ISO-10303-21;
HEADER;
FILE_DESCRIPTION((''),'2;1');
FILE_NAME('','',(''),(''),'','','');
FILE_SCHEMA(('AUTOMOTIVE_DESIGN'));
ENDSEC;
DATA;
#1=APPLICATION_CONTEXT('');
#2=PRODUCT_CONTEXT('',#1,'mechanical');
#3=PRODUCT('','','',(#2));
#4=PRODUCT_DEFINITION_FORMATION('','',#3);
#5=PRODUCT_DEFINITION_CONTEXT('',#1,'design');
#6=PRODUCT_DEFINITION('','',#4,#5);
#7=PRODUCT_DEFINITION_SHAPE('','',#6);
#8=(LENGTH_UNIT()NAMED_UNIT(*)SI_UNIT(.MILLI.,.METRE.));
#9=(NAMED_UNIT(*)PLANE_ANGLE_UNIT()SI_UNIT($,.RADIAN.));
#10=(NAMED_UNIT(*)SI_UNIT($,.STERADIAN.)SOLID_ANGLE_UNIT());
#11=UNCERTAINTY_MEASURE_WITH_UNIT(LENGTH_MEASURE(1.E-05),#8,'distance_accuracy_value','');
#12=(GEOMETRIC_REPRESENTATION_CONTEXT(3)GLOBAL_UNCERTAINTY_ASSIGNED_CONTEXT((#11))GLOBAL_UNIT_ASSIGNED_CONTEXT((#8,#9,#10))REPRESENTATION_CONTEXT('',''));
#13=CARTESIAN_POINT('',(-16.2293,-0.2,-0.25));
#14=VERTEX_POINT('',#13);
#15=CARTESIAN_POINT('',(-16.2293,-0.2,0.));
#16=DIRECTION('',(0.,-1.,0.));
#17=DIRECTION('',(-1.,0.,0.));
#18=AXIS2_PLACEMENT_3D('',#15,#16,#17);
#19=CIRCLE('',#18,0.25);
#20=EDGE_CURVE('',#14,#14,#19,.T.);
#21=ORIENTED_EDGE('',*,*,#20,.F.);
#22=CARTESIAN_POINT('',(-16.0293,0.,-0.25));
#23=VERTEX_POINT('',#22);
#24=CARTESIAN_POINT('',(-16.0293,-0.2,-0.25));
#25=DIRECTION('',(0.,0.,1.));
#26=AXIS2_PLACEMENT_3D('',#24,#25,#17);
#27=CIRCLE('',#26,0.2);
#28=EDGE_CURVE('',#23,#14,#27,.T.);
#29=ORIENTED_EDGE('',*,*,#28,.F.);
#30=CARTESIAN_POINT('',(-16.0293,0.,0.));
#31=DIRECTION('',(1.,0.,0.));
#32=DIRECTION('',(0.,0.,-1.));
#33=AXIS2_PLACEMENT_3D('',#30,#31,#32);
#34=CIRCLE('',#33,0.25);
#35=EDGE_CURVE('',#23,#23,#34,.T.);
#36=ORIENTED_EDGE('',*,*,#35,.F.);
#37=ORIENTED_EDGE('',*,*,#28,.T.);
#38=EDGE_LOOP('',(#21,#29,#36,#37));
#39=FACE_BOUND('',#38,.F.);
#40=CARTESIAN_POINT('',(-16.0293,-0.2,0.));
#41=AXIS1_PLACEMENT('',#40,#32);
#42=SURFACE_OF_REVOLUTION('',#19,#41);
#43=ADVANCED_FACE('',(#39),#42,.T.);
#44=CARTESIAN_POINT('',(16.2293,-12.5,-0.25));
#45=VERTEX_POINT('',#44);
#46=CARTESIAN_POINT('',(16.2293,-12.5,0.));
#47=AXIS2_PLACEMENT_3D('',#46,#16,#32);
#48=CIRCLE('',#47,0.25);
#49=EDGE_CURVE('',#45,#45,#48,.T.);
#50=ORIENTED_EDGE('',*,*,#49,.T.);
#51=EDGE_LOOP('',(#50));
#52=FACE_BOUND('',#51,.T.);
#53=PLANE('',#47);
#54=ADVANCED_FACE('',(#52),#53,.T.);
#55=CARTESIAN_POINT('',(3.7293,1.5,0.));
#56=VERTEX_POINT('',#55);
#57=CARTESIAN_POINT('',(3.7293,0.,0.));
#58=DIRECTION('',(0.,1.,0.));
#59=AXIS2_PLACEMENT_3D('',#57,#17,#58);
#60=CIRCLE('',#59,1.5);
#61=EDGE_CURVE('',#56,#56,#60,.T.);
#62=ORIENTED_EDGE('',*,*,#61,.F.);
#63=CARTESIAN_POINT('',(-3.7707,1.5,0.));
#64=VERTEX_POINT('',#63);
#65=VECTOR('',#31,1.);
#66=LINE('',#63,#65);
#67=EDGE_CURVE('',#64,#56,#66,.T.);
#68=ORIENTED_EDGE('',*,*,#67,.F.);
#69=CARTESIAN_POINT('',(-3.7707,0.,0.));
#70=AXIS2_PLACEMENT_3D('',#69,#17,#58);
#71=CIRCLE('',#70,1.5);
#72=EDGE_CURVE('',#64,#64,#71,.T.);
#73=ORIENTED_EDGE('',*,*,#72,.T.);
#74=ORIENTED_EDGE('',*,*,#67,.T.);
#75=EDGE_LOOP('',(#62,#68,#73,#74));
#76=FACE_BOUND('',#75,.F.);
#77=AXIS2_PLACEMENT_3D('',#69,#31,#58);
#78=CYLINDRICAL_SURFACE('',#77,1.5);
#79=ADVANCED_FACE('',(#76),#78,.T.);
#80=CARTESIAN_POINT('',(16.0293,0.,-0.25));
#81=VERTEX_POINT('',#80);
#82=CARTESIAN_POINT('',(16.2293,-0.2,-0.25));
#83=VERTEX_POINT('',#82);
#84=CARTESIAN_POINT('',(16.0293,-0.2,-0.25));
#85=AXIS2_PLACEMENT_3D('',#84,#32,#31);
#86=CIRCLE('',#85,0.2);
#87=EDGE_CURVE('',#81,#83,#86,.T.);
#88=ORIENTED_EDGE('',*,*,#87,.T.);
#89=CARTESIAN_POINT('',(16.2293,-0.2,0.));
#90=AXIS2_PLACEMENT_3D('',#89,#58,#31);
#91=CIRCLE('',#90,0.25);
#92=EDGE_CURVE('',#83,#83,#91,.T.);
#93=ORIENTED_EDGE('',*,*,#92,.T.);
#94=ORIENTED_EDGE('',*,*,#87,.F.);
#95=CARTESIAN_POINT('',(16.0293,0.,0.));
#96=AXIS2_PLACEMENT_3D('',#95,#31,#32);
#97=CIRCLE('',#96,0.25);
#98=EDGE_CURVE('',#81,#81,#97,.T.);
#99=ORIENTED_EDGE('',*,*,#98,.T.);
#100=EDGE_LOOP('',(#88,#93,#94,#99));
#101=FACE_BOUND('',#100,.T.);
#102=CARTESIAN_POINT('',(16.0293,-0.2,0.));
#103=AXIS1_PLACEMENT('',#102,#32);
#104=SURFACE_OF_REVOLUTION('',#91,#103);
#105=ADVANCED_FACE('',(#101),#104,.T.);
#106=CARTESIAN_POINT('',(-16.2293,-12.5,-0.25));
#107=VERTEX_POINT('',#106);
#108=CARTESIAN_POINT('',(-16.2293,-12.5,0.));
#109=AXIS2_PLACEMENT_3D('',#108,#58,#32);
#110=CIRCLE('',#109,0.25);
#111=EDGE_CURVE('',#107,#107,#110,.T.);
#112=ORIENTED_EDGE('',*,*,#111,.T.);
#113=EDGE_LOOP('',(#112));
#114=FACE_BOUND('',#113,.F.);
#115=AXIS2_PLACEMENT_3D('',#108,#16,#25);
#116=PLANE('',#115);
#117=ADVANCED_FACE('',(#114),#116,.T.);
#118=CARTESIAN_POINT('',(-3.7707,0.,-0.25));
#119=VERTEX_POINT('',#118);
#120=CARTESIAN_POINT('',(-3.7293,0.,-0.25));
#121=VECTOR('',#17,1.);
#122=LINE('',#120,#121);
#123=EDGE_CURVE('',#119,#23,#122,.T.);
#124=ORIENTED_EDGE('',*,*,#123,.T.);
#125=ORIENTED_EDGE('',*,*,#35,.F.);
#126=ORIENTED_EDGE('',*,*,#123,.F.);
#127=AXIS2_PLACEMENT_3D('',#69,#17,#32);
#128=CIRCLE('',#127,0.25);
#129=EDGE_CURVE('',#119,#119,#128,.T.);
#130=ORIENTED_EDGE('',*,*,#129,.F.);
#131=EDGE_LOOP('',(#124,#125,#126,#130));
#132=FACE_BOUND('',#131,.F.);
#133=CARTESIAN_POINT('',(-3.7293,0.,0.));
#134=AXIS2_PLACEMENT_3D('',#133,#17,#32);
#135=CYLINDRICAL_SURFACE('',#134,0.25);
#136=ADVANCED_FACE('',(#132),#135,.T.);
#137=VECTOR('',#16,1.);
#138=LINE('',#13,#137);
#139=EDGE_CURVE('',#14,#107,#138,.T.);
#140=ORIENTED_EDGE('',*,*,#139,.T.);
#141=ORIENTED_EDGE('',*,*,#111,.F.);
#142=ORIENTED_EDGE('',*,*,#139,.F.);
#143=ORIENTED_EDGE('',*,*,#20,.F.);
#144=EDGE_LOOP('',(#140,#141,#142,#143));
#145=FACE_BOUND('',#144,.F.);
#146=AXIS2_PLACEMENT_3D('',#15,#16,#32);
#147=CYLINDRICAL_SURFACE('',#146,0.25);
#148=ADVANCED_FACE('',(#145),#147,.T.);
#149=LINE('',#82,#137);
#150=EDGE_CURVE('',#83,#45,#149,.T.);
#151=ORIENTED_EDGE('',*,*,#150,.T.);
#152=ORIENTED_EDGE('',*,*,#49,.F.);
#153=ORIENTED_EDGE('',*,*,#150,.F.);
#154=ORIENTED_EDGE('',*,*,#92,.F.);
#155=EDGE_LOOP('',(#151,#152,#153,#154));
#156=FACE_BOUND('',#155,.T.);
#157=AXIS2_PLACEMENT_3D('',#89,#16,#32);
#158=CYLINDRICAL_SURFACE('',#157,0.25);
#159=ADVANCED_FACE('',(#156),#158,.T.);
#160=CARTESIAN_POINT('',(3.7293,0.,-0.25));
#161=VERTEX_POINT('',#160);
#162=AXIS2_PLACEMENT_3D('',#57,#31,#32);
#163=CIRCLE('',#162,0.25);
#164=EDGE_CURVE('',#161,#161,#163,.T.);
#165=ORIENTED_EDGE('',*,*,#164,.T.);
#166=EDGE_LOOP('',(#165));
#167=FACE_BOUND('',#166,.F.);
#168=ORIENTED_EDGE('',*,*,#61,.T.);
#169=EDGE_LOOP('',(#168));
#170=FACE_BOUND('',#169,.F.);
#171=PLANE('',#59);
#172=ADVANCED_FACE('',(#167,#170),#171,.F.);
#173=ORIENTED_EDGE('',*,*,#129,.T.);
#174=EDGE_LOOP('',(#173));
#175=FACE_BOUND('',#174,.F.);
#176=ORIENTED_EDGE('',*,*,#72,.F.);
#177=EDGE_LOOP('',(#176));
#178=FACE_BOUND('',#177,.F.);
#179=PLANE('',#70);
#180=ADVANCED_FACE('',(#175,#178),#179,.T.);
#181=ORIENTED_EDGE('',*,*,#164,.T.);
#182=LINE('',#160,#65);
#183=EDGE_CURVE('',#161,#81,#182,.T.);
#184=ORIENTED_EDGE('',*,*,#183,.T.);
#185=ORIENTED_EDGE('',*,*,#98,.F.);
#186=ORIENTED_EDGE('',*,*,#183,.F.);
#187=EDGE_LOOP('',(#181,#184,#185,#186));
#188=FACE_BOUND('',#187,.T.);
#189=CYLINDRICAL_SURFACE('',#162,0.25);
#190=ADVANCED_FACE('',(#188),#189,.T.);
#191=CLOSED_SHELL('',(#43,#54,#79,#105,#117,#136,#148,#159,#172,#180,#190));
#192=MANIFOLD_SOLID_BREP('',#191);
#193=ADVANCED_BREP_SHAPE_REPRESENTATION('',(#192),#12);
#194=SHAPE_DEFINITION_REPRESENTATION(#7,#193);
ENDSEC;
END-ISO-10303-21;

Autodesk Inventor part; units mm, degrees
ref_plane "YZ Plane" through (0, 0, 0) normal (1, 0, 0) x (0, 1, 0)
ref_plane "XZ Plane" through (0, 0, 0) normal (0, 1, 0) x (-1, 0, 0)
ref_plane "XY Plane" through (0, 0, 0) normal (0, 0, 1) x (1, 0, 0)
sketch "Эскиз1" plane through (0, 0, 0) normal (0, 0, 1) x (1, 0, 0)
  line L0 (-3.7707, 0) -> (-3.7707, 1.5)
  line L1 (-3.7707, 1.5) -> (3.7293, 1.5)
  line L2 (3.7293, 1.5) -> (3.7293, 0)
  line L3 (3.7293, 0) -> (-3.7707, 0)
  point P0 (0, 0)
  dimension "d0" = 1.5
  dimension "d1" = 7.5
revolve "Вращение1" add sketch "Эскиз1" angle 360 about axis through (3.7293, 0, 0) along (-1, 0, 0)
sketch "Эскиз4" plane through (0, 0, 0) normal (0, 0, 1) x (1, 0, 0)
  line L0 (3.7293, 1.5) -> (3.7293, -1.5) projected
  line L1 (3.7293, 0) -> (16.0293, 0)
  line L2 (16.2293, -0.2) -> (16.2293, -12.5)
  arc A0 (16.2293, -0.2) -> (16.0293, 0) centre (16.0293, -0.2) ccw
  point P0 (0, 0)
  point P1 (16.2293, 0)
  dimension "d3" = 12.5
  dimension "d4" = 12.5
  dimension "d5" = 0.2
ref_plane "РабПлоскость1" through (3.7293, 0, 0) normal (1, 0, 0) x (0, 0, -1)
sketch "Эскиз5" plane through (3.7293, 0, 0) normal (1, 0, 0) x (0, 0, -1)
  circle A0 centre (0, 0) radius 0.25
  dimension "d7" = 0.5
sweep "Сдвиг1" add profiles "Эскиз5" path "Эскиз4" path curves L1 A0 L2
mirror "Зеркальное отражение1" about plane through (0, 0, 0) normal (1, 0, 0) of "Сдвиг1"
properties part number "КС147А"
